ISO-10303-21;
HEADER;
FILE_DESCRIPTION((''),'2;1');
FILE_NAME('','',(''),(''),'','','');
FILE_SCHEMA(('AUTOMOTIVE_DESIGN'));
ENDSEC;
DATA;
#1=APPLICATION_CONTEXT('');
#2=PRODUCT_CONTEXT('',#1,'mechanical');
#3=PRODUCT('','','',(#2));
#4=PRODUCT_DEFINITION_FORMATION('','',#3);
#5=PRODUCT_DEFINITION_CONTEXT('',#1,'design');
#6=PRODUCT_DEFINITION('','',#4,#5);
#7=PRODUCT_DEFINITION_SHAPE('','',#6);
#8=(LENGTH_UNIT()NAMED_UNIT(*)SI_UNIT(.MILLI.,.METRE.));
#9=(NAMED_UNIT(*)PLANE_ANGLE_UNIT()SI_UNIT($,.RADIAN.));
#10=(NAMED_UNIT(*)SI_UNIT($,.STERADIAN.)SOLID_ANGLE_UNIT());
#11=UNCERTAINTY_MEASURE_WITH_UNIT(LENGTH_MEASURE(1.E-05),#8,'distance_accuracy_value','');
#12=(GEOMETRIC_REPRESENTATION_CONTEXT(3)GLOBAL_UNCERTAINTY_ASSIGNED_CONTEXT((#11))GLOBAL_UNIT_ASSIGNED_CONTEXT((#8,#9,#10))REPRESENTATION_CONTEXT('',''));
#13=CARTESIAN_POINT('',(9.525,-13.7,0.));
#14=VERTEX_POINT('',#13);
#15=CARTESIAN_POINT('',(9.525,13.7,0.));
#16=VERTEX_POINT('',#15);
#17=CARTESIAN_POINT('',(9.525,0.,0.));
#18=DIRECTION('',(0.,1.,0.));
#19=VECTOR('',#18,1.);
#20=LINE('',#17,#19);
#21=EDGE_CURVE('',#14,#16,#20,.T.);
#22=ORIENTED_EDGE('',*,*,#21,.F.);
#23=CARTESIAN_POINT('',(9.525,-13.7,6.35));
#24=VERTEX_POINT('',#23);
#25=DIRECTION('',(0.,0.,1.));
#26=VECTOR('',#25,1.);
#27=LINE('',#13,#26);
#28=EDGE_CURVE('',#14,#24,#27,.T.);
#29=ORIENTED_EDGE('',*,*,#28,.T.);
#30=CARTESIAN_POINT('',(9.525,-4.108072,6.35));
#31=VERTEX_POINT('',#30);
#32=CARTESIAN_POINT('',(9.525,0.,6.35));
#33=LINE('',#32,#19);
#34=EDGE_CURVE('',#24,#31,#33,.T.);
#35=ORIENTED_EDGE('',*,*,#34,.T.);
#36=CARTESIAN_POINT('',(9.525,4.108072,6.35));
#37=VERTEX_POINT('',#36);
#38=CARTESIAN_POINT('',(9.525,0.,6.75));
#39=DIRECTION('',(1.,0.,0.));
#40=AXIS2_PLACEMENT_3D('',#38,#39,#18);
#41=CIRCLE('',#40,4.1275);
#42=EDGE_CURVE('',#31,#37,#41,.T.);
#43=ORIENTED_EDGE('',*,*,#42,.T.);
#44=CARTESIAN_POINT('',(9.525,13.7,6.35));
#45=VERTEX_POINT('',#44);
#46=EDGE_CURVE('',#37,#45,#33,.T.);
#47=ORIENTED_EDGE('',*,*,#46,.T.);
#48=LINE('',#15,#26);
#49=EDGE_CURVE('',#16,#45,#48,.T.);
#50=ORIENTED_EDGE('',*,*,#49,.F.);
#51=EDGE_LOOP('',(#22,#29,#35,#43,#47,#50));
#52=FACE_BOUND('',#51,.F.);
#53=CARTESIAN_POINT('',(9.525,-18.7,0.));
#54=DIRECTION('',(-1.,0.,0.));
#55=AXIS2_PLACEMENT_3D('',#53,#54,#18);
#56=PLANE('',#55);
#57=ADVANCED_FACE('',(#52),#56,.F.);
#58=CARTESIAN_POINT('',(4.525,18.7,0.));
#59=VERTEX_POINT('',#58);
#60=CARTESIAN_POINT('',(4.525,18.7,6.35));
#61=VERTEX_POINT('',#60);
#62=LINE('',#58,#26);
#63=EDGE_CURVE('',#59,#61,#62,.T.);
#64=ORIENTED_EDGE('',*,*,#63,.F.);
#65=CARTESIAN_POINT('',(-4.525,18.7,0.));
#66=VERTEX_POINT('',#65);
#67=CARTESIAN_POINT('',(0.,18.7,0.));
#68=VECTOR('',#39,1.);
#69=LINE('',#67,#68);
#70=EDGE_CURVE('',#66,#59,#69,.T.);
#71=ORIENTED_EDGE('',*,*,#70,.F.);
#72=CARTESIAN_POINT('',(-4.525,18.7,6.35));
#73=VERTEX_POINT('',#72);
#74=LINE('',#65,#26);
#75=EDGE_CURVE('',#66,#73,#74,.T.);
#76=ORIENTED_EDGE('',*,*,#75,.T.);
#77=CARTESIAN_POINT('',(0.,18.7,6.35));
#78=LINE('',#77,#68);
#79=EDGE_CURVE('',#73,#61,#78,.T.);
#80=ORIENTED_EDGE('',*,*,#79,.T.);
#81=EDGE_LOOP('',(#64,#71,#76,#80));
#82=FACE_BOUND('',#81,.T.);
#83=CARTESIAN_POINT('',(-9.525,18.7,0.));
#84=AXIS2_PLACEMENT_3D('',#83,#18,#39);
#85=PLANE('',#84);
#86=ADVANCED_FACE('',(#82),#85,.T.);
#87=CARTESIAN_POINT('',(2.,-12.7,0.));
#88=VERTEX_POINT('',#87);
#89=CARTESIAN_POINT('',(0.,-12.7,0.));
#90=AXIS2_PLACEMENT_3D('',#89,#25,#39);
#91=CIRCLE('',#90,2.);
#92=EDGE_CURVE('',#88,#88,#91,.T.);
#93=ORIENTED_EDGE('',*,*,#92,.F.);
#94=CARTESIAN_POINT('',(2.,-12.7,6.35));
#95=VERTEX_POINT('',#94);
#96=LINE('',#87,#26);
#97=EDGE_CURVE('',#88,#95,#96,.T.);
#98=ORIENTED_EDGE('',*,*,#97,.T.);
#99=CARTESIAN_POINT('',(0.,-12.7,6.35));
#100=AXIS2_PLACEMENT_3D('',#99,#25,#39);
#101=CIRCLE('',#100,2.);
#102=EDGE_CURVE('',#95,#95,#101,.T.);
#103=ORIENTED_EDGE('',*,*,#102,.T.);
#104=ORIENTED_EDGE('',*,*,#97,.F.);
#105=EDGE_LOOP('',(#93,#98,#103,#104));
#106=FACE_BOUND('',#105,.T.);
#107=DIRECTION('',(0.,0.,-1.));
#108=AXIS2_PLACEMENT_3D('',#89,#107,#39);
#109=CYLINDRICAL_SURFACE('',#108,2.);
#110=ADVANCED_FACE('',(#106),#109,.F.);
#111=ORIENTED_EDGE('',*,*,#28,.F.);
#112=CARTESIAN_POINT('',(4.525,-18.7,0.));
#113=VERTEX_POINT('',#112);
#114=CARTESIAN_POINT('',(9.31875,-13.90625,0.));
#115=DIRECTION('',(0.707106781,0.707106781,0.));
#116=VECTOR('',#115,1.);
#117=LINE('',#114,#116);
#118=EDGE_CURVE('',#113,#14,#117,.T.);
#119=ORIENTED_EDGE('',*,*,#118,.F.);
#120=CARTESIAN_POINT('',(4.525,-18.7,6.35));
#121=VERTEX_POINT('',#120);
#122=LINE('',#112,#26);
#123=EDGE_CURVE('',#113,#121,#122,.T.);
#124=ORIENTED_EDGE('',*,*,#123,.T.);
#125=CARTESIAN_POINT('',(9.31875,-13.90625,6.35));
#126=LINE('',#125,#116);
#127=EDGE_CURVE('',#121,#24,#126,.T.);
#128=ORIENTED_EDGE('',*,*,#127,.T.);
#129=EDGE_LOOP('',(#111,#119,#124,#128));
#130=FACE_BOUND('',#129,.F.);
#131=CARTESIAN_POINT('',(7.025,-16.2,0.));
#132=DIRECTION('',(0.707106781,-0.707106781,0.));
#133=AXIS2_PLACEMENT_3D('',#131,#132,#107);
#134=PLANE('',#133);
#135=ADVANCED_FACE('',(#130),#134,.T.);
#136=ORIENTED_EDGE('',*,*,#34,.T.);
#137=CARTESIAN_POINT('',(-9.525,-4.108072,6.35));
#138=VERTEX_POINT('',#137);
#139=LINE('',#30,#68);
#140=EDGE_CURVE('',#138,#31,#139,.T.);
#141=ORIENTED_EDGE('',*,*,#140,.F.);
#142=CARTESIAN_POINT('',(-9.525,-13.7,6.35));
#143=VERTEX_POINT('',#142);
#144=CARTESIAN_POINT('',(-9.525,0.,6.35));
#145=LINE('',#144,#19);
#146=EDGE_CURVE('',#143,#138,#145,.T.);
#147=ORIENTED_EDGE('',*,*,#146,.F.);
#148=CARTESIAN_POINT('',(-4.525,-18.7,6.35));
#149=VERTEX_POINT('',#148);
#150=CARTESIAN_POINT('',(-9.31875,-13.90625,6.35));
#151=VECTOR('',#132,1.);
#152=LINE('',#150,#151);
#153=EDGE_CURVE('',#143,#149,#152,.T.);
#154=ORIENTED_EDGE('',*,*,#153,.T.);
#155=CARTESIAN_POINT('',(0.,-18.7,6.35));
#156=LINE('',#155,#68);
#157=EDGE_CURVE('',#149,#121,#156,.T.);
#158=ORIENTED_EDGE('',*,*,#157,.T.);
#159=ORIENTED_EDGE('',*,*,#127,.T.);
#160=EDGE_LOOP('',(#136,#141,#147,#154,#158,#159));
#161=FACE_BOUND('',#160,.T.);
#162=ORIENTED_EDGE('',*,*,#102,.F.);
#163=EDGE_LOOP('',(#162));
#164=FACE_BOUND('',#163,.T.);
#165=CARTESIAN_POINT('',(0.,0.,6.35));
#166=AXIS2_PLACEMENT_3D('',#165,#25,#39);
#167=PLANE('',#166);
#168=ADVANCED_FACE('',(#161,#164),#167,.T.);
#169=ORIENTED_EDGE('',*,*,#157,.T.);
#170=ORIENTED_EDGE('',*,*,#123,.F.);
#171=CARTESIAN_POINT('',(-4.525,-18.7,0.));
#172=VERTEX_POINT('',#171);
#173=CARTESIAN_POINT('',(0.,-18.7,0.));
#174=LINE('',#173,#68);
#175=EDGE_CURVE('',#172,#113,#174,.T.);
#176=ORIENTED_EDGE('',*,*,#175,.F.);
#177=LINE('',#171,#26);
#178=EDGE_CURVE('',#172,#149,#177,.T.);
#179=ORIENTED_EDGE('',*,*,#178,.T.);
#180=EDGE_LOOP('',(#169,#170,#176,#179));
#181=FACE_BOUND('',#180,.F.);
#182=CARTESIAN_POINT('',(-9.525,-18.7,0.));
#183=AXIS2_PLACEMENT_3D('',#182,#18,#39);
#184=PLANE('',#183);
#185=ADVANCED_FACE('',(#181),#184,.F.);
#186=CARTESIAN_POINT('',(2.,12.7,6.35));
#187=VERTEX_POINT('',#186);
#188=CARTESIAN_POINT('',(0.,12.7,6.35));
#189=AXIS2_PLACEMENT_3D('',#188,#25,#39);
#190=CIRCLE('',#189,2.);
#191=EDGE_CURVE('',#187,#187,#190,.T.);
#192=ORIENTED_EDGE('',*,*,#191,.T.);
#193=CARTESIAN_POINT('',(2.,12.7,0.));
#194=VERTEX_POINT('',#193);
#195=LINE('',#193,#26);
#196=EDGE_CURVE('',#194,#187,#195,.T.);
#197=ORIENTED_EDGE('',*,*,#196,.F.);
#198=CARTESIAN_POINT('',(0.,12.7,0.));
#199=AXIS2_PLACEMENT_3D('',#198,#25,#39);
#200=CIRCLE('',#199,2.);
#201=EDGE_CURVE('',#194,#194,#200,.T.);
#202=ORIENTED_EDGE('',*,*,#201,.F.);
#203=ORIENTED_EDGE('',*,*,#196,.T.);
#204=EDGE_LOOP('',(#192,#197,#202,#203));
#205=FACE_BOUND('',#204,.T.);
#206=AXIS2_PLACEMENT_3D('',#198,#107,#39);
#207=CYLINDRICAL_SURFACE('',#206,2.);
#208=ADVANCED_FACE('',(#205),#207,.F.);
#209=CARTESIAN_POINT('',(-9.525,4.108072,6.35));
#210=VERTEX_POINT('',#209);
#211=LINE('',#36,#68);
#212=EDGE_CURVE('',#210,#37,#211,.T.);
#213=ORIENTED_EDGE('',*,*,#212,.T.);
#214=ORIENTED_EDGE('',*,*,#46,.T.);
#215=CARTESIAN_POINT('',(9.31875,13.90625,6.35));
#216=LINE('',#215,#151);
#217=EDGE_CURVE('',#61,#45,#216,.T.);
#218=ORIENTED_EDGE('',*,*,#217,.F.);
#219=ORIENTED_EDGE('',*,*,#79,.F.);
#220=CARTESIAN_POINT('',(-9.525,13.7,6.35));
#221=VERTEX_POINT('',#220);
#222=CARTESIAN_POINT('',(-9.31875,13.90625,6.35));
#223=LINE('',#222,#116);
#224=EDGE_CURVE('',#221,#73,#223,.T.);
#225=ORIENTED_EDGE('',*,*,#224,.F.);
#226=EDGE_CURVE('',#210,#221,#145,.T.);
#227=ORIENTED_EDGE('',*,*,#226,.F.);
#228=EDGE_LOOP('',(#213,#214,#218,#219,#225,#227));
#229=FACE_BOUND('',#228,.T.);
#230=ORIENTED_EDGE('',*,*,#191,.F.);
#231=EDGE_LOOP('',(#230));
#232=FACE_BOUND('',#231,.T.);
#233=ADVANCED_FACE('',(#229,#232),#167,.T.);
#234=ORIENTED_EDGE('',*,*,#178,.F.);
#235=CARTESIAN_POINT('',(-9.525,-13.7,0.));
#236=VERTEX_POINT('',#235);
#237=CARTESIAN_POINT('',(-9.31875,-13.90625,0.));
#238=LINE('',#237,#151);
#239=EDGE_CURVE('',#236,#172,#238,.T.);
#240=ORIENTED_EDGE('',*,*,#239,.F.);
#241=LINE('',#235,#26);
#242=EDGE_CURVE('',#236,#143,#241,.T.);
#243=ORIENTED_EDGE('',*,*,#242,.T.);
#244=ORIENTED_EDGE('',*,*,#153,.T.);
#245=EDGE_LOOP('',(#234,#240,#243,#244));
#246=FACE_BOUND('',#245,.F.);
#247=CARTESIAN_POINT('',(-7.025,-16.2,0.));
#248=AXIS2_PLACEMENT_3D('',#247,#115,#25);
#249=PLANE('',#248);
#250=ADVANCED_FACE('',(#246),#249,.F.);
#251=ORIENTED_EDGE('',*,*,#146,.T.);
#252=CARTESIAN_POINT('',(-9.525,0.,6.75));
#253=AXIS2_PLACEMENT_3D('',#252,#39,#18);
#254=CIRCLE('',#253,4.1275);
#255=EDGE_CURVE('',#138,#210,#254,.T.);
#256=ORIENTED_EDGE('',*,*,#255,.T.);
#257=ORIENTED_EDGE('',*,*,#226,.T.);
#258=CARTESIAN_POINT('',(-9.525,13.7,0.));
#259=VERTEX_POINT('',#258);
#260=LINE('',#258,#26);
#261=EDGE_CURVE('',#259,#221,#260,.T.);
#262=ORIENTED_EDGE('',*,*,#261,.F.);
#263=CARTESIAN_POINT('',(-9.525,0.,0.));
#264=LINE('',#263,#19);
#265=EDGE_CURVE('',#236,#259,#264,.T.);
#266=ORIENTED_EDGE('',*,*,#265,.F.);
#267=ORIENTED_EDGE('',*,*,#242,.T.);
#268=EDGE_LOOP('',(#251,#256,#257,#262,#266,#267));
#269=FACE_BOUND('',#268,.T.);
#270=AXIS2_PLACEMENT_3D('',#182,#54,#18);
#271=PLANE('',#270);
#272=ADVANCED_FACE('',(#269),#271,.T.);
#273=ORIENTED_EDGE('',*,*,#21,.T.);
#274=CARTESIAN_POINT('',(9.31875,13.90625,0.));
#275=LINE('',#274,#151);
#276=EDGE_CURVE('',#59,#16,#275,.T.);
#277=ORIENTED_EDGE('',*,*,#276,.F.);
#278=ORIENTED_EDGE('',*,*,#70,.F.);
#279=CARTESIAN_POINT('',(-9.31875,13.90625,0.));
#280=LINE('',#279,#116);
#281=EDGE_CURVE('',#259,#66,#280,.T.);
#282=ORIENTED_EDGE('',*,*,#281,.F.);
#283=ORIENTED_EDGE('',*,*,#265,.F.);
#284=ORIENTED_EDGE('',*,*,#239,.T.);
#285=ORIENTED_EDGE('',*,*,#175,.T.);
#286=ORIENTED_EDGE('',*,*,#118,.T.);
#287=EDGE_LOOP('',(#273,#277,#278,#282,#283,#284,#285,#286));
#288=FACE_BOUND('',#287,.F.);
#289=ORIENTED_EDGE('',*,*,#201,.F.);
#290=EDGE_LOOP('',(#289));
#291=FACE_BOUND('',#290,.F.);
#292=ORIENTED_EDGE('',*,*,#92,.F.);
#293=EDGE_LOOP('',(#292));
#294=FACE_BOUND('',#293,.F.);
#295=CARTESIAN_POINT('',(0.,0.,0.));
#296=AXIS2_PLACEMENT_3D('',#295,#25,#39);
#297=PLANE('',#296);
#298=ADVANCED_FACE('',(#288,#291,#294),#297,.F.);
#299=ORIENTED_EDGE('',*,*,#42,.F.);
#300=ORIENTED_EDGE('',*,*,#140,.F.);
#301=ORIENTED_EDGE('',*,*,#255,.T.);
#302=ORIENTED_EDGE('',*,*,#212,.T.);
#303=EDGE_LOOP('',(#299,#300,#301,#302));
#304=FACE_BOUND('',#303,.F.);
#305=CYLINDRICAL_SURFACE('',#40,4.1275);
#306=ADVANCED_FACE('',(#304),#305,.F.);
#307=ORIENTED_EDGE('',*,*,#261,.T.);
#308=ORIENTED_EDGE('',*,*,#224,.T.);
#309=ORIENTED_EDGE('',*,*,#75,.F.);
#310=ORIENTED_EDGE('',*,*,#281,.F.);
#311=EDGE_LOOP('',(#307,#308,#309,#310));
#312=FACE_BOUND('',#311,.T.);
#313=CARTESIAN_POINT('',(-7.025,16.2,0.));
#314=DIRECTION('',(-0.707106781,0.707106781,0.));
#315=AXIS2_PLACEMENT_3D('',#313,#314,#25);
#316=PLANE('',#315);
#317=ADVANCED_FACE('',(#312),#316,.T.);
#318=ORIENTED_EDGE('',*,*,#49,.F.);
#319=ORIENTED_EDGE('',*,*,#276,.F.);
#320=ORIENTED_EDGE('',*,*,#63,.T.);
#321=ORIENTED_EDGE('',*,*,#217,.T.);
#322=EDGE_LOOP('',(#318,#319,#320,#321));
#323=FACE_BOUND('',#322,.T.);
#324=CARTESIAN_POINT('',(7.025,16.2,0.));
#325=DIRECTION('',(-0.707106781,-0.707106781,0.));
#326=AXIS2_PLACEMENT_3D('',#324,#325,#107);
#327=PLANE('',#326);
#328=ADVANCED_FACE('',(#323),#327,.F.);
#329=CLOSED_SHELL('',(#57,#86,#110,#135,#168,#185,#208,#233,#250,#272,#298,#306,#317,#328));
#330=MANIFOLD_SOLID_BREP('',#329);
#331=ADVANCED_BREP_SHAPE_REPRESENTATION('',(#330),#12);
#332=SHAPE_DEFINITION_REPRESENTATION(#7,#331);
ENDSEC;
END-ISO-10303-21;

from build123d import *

# Parameters (mm, degrees)
F0_W     = 19.05
F0_H     = 37.4
F0_R     = 2
F1_DEPTH = 6.35
F2_R     = 4.1275
F3_DEPTH = 100
F4_SIZE  = 5


with BuildPart() as f1:
    # F0 (on Top) → F1 (new body)
    with BuildSketch(Plane.XY):
        Rectangle(F0_W, F0_H)
        with Locations((0, -12.7)):
            Circle(F0_R, mode=Mode.SUBTRACT)
        with Locations((0, 12.7)):
            Circle(F0_R, mode=Mode.SUBTRACT)
    extrude(amount=F1_DEPTH)

    # F2 (on face) → F3 (cut)
    with BuildSketch(Plane.YZ.offset(9.525)):
        with Locations((0, 6.75)):
            Circle(F2_R)
    extrude(amount=-F3_DEPTH, mode=Mode.SUBTRACT)

    # F4
    f4_edges = [f1.edges().sort_by_distance(p)[0] for p in [
        (9.525, -18.7, 3.175),
        (-9.525, -18.7, 3.175),
        (-9.525, 18.7, 3.175),
        (9.525, 18.7, 3.175),
    ]]
    chamfer(f4_edges, length=F4_SIZE)


solid = f1.part
